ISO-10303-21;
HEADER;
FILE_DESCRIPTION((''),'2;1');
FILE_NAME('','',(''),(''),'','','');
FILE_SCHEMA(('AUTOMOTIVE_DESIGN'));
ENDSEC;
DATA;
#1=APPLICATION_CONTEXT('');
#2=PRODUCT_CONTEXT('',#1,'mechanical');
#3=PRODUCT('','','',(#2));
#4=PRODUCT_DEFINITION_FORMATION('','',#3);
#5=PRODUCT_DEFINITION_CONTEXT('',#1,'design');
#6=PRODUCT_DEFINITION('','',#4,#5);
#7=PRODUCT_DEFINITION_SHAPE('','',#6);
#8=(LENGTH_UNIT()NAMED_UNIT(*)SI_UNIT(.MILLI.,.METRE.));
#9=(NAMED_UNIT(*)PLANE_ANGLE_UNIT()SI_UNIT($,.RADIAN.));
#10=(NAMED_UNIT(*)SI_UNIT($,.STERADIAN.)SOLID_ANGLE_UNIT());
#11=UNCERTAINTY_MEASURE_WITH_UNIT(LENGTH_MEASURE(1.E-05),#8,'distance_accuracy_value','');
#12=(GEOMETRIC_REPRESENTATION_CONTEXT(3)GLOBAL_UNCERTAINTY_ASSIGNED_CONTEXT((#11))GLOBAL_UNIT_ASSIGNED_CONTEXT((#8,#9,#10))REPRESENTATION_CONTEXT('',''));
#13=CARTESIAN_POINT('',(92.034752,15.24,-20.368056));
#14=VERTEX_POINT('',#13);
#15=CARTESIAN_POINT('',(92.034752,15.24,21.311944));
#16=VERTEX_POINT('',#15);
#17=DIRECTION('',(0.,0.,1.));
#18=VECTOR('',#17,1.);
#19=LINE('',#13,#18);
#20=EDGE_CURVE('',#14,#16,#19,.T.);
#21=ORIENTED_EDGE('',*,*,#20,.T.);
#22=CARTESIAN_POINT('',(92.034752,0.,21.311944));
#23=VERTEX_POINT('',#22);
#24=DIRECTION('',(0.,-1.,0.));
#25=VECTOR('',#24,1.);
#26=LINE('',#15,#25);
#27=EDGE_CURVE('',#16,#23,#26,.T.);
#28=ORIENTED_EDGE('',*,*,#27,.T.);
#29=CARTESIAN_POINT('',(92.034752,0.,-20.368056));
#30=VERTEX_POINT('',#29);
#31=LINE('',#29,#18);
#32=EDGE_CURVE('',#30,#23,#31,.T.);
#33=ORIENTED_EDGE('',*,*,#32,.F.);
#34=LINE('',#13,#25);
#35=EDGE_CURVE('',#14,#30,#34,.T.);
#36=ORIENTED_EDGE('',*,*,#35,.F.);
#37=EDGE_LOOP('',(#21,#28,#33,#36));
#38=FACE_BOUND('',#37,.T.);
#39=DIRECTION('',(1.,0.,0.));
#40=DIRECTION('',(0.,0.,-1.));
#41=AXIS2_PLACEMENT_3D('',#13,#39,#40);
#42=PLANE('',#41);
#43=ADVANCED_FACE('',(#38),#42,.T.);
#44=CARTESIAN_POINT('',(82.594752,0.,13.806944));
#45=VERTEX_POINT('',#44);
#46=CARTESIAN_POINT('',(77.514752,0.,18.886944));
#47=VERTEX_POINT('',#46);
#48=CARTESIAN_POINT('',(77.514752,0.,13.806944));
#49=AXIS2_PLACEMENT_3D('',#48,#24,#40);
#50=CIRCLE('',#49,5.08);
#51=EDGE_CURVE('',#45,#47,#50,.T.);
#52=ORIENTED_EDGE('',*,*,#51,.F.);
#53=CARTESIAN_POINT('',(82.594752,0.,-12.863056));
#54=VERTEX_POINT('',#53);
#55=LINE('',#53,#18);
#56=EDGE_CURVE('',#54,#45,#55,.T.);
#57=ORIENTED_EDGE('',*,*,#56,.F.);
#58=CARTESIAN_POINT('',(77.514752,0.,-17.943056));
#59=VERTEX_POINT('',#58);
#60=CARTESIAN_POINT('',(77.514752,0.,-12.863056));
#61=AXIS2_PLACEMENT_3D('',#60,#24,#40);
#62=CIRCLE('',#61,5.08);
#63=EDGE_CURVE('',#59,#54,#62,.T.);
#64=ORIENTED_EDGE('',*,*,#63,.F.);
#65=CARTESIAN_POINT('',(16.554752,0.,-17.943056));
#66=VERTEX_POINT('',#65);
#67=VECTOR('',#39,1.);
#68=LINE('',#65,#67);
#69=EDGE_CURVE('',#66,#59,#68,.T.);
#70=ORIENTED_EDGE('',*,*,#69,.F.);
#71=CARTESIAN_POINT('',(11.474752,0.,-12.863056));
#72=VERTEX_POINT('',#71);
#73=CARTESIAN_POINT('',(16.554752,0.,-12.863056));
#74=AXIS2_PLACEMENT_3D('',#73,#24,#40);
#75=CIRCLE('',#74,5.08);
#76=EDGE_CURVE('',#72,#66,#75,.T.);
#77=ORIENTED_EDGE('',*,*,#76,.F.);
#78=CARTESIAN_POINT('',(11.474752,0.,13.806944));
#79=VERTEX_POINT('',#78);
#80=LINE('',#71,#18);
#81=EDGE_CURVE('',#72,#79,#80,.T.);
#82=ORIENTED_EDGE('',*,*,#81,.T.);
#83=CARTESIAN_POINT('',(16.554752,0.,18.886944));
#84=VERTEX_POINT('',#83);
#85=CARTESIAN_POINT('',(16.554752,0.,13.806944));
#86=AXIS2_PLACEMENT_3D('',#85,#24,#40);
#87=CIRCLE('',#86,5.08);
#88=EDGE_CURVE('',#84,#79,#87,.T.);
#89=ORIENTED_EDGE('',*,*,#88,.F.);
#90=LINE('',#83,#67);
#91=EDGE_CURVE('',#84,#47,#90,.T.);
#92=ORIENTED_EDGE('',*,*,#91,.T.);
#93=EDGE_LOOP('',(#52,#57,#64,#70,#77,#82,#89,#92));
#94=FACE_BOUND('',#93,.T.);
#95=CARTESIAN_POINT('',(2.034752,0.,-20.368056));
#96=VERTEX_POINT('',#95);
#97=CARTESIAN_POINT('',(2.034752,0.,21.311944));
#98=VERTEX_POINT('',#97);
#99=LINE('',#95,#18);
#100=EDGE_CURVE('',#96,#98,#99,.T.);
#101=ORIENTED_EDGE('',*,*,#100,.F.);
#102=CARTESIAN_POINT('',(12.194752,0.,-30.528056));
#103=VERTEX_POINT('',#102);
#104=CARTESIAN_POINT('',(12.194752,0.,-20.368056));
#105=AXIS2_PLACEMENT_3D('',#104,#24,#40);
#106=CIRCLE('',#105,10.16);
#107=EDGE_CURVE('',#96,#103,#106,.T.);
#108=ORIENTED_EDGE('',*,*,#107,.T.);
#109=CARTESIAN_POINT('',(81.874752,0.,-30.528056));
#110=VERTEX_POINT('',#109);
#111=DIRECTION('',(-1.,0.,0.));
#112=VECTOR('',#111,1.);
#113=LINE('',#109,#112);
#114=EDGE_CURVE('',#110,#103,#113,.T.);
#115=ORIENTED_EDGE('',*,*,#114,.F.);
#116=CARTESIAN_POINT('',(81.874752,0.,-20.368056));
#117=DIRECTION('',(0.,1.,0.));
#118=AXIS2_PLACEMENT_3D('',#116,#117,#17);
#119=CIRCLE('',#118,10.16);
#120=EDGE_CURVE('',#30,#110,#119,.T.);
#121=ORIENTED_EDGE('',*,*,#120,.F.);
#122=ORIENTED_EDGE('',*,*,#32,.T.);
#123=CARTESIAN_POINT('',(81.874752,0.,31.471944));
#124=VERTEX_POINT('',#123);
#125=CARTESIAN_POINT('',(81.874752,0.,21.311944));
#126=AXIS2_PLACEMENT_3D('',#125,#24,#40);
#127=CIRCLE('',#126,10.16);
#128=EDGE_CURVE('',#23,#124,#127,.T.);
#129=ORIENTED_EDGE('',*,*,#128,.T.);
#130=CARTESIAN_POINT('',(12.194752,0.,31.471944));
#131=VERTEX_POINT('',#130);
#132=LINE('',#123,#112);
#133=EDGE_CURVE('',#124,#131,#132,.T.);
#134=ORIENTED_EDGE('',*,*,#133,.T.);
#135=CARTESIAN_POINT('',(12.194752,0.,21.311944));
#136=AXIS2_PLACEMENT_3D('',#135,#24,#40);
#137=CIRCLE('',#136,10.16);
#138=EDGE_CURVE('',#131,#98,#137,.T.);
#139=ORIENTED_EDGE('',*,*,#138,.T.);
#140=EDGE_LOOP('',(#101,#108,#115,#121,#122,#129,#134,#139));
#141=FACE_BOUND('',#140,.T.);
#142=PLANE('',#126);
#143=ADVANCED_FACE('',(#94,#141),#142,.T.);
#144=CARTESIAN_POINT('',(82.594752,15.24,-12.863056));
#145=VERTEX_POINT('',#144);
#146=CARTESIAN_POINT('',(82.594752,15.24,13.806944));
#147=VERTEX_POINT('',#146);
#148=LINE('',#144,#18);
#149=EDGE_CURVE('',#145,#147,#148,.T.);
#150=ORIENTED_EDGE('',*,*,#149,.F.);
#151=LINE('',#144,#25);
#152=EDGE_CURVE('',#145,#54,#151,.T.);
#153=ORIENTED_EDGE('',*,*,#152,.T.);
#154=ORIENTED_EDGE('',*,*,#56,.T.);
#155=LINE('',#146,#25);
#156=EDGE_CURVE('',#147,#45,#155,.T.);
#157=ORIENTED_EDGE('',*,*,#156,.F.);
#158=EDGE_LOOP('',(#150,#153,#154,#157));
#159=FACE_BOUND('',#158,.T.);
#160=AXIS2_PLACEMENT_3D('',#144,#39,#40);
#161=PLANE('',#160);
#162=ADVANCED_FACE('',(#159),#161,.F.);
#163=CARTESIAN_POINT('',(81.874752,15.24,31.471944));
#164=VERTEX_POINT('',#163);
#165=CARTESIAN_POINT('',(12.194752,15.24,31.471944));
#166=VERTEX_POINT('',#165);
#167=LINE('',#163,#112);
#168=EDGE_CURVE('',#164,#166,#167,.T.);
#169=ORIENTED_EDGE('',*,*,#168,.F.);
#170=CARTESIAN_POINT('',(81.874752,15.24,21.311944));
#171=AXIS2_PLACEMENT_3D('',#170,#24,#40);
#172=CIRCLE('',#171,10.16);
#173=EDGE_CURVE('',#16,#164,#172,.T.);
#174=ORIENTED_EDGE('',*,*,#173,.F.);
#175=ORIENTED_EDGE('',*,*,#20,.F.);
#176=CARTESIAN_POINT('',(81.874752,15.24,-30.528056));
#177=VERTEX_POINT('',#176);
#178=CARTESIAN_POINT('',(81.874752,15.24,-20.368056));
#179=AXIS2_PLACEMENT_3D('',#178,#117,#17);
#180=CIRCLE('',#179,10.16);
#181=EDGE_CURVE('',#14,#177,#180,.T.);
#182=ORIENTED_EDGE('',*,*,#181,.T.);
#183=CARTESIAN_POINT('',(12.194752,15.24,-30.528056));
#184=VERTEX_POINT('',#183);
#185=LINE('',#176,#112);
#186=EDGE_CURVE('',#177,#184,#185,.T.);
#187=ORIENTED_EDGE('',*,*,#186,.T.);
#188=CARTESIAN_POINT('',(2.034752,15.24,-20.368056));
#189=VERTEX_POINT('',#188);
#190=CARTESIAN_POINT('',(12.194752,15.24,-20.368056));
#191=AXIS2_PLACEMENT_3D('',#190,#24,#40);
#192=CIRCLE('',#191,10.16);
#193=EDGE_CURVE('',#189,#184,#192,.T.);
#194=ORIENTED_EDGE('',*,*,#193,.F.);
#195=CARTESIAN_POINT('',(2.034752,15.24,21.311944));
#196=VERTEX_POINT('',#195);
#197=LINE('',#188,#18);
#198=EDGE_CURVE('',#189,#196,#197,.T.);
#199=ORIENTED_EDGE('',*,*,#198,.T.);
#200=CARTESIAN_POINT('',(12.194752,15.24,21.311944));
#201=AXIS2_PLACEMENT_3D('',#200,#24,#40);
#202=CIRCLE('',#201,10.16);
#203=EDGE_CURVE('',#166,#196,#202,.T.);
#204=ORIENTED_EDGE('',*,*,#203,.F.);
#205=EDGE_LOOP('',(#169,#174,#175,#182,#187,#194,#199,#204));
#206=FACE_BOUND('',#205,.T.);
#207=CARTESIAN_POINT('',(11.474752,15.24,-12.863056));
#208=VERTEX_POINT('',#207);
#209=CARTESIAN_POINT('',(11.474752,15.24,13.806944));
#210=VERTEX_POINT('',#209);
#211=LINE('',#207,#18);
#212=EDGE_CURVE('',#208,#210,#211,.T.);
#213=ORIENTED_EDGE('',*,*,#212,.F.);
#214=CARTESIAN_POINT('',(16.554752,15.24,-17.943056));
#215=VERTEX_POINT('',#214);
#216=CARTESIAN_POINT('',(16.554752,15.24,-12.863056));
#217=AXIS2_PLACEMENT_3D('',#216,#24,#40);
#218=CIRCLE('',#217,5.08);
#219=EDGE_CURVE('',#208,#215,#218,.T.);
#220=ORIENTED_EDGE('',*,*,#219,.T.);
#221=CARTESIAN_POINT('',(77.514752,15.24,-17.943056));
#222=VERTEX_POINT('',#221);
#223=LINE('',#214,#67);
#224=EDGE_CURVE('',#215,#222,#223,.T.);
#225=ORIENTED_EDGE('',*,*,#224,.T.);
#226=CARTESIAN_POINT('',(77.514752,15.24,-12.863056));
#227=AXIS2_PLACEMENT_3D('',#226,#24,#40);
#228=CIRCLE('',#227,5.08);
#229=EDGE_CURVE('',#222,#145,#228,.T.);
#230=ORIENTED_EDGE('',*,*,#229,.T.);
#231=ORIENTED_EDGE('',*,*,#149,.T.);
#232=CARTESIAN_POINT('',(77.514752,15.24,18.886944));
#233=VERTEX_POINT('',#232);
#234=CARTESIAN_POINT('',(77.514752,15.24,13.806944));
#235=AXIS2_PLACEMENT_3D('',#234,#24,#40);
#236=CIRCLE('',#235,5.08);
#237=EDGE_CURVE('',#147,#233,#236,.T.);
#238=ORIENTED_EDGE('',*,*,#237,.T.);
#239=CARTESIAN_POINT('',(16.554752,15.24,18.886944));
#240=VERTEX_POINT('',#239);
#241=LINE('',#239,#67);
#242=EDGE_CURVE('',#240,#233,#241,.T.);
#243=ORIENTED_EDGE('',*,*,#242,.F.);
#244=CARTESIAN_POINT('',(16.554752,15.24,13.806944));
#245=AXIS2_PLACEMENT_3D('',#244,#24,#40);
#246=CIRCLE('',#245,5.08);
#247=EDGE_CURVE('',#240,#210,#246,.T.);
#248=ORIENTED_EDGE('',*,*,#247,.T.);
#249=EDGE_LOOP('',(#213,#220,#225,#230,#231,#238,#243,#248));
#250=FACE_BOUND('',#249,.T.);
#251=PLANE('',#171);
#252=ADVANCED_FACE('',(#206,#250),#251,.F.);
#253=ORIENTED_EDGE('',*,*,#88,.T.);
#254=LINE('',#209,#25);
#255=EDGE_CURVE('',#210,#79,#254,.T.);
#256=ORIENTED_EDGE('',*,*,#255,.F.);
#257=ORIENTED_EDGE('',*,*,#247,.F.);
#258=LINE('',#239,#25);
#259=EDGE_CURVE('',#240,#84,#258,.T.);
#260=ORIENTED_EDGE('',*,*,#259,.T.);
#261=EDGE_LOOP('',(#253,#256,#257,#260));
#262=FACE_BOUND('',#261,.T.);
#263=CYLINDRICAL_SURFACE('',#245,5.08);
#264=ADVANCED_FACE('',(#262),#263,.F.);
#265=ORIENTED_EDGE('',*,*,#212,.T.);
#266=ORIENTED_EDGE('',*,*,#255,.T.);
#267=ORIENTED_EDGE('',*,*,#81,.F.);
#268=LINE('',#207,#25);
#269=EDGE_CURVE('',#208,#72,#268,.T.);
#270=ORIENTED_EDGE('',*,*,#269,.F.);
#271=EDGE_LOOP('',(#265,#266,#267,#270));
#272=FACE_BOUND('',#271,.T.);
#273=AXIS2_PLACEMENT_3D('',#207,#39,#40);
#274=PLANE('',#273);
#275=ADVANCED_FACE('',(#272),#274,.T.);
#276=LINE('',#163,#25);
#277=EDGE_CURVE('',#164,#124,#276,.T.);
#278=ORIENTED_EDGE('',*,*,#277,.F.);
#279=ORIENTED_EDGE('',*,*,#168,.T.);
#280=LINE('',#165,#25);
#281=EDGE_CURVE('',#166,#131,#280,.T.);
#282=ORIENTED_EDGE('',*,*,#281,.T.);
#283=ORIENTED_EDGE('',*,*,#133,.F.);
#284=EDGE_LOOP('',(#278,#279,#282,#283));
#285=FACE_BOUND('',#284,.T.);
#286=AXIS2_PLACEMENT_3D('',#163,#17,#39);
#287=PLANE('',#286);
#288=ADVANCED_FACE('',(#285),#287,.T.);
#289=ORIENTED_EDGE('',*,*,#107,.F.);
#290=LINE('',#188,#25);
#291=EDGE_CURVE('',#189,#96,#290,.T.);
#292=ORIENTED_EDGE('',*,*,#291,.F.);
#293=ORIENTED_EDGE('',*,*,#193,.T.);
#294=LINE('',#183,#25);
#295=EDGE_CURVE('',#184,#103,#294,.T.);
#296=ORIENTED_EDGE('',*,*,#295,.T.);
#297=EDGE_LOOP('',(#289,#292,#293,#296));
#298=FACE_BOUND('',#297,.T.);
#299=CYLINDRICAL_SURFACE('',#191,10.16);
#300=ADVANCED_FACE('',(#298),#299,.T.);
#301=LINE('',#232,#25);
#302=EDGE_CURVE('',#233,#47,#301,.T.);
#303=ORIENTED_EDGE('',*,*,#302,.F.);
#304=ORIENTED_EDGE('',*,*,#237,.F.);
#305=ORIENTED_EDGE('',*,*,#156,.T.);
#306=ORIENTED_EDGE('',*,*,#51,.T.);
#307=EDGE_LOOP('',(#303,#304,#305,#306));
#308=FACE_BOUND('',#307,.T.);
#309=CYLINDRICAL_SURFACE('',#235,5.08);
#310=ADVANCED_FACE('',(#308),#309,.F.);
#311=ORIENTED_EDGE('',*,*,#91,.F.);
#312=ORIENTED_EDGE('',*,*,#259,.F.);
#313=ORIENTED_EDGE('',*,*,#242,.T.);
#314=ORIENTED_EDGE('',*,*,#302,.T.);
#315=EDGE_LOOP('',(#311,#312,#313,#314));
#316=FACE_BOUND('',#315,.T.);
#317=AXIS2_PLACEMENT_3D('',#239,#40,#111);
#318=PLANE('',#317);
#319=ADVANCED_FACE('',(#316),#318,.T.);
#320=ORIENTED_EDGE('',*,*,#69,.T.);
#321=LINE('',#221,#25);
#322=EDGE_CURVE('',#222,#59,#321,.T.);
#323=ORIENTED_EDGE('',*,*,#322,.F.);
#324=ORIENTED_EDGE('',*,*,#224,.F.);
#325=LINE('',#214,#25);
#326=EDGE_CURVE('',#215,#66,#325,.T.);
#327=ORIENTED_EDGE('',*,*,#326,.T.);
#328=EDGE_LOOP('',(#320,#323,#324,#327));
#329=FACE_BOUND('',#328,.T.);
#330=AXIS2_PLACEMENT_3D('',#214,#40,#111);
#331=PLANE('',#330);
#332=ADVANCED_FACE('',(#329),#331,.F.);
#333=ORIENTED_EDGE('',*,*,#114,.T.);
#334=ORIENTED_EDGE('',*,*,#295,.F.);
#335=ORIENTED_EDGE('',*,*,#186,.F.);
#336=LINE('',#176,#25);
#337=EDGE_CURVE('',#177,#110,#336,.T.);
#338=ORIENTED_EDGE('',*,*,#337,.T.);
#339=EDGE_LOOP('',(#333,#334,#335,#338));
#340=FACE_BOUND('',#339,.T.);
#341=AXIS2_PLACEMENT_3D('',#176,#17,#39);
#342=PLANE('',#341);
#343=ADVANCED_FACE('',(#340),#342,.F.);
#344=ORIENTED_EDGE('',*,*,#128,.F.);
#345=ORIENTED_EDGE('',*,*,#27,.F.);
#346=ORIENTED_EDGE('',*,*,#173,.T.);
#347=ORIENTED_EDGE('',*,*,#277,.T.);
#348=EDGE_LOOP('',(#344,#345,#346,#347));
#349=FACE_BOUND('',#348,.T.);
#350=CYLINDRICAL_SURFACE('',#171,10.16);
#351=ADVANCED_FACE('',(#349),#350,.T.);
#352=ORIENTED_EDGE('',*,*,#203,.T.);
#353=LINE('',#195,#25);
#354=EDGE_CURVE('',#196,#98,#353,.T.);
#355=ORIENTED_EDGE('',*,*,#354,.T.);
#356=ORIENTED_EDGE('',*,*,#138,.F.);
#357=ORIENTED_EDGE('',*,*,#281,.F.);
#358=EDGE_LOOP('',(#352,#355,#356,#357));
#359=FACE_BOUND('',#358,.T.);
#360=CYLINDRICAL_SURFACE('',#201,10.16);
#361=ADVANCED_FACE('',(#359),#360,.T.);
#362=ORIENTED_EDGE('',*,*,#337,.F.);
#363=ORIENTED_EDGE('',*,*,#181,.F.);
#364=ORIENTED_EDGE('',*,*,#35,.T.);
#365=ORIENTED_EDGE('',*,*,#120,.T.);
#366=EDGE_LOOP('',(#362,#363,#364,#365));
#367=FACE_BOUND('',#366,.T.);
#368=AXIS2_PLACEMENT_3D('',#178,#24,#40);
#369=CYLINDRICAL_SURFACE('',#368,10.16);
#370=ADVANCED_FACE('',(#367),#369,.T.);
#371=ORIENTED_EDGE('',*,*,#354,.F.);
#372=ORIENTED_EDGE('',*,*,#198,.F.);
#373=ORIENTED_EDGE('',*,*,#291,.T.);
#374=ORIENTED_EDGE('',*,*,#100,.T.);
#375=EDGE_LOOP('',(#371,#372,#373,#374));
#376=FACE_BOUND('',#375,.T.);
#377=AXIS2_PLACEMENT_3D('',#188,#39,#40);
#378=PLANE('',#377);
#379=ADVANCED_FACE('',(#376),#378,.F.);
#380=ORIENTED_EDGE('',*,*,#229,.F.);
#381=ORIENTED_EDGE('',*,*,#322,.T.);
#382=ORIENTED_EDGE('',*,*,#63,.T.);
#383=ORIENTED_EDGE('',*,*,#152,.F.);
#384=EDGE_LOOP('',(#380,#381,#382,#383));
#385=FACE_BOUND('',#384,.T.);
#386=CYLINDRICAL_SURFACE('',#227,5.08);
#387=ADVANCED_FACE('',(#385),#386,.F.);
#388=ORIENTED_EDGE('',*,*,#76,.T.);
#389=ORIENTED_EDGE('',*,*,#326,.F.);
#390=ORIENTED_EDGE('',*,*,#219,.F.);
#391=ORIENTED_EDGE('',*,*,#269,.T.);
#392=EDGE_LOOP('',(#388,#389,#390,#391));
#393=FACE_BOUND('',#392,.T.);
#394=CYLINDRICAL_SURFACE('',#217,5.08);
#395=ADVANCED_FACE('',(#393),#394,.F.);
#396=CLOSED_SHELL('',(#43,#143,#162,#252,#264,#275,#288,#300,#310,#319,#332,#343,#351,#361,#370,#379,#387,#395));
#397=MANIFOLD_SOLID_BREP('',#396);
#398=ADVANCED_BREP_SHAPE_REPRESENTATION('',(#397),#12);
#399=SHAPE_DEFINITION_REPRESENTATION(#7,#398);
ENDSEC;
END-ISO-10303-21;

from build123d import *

# Parameters (mm, degrees)
BOSS_EXTRUDE1_DEPTH = 15.24


with BuildPart() as part:
    # Sketch2 → Boss-Extrude1 (new body)
    with BuildSketch(Plane(origin=(0, 0, 0), x_dir=(1, 0, 0), z_dir=(0, 1, 0))):
        with BuildLine():
            Line((81.8747525, 30.528055776), (12.1947525, 30.528055776))
            ThreePointArc((12.1947525, 30.528055776), (5.010547603, 27.552260673), (2.0347525, 20.368055776))
            Line((2.0347525, 20.368055776), (2.0347525, -21.311944224))
            ThreePointArc((2.0347525, -21.311944224), (5.010547603, -28.496149121), (12.1947525, -31.471944224))
            Line((12.1947525, -31.471944224), (81.8747525, -31.471944224))
            ThreePointArc((81.8747525, -31.471944224), (89.058957397, -28.496149121), (92.0347525, -21.311944224))
            Line((92.0347525, -21.311944224), (92.0347525, 20.368055776))
            ThreePointArc((92.0347525, 20.368055776), (89.058957397, 27.552260673), (81.8747525, 30.528055776))
        make_face()
        with BuildLine():
            Line((16.5547525, 17.943055776), (77.5147525, 17.943055776))
            ThreePointArc((77.5147525, 17.943055776), (81.106854948, 16.455158224), (82.5947525, 12.863055776))
            Line((82.5947525, 12.863055776), (82.5947525, -13.806944224))
            ThreePointArc((82.5947525, -13.806944224), (81.106854948, -17.399046672), (77.5147525, -18.886944224))
            Line((77.5147525, -18.886944224), (16.5547525, -18.886944224))
            ThreePointArc((16.5547525, -18.886944224), (12.962650051, -17.399046672), (11.4747525, -13.806944224))
            Line((11.4747525, -13.806944224), (11.4747525, 12.863055776))
            ThreePointArc((11.4747525, 12.863055776), (12.962650051, 16.455158224), (16.5547525, 17.943055776))
        make_face(mode=Mode.SUBTRACT)
    extrude(amount=BOSS_EXTRUDE1_DEPTH)


solid = part.part
